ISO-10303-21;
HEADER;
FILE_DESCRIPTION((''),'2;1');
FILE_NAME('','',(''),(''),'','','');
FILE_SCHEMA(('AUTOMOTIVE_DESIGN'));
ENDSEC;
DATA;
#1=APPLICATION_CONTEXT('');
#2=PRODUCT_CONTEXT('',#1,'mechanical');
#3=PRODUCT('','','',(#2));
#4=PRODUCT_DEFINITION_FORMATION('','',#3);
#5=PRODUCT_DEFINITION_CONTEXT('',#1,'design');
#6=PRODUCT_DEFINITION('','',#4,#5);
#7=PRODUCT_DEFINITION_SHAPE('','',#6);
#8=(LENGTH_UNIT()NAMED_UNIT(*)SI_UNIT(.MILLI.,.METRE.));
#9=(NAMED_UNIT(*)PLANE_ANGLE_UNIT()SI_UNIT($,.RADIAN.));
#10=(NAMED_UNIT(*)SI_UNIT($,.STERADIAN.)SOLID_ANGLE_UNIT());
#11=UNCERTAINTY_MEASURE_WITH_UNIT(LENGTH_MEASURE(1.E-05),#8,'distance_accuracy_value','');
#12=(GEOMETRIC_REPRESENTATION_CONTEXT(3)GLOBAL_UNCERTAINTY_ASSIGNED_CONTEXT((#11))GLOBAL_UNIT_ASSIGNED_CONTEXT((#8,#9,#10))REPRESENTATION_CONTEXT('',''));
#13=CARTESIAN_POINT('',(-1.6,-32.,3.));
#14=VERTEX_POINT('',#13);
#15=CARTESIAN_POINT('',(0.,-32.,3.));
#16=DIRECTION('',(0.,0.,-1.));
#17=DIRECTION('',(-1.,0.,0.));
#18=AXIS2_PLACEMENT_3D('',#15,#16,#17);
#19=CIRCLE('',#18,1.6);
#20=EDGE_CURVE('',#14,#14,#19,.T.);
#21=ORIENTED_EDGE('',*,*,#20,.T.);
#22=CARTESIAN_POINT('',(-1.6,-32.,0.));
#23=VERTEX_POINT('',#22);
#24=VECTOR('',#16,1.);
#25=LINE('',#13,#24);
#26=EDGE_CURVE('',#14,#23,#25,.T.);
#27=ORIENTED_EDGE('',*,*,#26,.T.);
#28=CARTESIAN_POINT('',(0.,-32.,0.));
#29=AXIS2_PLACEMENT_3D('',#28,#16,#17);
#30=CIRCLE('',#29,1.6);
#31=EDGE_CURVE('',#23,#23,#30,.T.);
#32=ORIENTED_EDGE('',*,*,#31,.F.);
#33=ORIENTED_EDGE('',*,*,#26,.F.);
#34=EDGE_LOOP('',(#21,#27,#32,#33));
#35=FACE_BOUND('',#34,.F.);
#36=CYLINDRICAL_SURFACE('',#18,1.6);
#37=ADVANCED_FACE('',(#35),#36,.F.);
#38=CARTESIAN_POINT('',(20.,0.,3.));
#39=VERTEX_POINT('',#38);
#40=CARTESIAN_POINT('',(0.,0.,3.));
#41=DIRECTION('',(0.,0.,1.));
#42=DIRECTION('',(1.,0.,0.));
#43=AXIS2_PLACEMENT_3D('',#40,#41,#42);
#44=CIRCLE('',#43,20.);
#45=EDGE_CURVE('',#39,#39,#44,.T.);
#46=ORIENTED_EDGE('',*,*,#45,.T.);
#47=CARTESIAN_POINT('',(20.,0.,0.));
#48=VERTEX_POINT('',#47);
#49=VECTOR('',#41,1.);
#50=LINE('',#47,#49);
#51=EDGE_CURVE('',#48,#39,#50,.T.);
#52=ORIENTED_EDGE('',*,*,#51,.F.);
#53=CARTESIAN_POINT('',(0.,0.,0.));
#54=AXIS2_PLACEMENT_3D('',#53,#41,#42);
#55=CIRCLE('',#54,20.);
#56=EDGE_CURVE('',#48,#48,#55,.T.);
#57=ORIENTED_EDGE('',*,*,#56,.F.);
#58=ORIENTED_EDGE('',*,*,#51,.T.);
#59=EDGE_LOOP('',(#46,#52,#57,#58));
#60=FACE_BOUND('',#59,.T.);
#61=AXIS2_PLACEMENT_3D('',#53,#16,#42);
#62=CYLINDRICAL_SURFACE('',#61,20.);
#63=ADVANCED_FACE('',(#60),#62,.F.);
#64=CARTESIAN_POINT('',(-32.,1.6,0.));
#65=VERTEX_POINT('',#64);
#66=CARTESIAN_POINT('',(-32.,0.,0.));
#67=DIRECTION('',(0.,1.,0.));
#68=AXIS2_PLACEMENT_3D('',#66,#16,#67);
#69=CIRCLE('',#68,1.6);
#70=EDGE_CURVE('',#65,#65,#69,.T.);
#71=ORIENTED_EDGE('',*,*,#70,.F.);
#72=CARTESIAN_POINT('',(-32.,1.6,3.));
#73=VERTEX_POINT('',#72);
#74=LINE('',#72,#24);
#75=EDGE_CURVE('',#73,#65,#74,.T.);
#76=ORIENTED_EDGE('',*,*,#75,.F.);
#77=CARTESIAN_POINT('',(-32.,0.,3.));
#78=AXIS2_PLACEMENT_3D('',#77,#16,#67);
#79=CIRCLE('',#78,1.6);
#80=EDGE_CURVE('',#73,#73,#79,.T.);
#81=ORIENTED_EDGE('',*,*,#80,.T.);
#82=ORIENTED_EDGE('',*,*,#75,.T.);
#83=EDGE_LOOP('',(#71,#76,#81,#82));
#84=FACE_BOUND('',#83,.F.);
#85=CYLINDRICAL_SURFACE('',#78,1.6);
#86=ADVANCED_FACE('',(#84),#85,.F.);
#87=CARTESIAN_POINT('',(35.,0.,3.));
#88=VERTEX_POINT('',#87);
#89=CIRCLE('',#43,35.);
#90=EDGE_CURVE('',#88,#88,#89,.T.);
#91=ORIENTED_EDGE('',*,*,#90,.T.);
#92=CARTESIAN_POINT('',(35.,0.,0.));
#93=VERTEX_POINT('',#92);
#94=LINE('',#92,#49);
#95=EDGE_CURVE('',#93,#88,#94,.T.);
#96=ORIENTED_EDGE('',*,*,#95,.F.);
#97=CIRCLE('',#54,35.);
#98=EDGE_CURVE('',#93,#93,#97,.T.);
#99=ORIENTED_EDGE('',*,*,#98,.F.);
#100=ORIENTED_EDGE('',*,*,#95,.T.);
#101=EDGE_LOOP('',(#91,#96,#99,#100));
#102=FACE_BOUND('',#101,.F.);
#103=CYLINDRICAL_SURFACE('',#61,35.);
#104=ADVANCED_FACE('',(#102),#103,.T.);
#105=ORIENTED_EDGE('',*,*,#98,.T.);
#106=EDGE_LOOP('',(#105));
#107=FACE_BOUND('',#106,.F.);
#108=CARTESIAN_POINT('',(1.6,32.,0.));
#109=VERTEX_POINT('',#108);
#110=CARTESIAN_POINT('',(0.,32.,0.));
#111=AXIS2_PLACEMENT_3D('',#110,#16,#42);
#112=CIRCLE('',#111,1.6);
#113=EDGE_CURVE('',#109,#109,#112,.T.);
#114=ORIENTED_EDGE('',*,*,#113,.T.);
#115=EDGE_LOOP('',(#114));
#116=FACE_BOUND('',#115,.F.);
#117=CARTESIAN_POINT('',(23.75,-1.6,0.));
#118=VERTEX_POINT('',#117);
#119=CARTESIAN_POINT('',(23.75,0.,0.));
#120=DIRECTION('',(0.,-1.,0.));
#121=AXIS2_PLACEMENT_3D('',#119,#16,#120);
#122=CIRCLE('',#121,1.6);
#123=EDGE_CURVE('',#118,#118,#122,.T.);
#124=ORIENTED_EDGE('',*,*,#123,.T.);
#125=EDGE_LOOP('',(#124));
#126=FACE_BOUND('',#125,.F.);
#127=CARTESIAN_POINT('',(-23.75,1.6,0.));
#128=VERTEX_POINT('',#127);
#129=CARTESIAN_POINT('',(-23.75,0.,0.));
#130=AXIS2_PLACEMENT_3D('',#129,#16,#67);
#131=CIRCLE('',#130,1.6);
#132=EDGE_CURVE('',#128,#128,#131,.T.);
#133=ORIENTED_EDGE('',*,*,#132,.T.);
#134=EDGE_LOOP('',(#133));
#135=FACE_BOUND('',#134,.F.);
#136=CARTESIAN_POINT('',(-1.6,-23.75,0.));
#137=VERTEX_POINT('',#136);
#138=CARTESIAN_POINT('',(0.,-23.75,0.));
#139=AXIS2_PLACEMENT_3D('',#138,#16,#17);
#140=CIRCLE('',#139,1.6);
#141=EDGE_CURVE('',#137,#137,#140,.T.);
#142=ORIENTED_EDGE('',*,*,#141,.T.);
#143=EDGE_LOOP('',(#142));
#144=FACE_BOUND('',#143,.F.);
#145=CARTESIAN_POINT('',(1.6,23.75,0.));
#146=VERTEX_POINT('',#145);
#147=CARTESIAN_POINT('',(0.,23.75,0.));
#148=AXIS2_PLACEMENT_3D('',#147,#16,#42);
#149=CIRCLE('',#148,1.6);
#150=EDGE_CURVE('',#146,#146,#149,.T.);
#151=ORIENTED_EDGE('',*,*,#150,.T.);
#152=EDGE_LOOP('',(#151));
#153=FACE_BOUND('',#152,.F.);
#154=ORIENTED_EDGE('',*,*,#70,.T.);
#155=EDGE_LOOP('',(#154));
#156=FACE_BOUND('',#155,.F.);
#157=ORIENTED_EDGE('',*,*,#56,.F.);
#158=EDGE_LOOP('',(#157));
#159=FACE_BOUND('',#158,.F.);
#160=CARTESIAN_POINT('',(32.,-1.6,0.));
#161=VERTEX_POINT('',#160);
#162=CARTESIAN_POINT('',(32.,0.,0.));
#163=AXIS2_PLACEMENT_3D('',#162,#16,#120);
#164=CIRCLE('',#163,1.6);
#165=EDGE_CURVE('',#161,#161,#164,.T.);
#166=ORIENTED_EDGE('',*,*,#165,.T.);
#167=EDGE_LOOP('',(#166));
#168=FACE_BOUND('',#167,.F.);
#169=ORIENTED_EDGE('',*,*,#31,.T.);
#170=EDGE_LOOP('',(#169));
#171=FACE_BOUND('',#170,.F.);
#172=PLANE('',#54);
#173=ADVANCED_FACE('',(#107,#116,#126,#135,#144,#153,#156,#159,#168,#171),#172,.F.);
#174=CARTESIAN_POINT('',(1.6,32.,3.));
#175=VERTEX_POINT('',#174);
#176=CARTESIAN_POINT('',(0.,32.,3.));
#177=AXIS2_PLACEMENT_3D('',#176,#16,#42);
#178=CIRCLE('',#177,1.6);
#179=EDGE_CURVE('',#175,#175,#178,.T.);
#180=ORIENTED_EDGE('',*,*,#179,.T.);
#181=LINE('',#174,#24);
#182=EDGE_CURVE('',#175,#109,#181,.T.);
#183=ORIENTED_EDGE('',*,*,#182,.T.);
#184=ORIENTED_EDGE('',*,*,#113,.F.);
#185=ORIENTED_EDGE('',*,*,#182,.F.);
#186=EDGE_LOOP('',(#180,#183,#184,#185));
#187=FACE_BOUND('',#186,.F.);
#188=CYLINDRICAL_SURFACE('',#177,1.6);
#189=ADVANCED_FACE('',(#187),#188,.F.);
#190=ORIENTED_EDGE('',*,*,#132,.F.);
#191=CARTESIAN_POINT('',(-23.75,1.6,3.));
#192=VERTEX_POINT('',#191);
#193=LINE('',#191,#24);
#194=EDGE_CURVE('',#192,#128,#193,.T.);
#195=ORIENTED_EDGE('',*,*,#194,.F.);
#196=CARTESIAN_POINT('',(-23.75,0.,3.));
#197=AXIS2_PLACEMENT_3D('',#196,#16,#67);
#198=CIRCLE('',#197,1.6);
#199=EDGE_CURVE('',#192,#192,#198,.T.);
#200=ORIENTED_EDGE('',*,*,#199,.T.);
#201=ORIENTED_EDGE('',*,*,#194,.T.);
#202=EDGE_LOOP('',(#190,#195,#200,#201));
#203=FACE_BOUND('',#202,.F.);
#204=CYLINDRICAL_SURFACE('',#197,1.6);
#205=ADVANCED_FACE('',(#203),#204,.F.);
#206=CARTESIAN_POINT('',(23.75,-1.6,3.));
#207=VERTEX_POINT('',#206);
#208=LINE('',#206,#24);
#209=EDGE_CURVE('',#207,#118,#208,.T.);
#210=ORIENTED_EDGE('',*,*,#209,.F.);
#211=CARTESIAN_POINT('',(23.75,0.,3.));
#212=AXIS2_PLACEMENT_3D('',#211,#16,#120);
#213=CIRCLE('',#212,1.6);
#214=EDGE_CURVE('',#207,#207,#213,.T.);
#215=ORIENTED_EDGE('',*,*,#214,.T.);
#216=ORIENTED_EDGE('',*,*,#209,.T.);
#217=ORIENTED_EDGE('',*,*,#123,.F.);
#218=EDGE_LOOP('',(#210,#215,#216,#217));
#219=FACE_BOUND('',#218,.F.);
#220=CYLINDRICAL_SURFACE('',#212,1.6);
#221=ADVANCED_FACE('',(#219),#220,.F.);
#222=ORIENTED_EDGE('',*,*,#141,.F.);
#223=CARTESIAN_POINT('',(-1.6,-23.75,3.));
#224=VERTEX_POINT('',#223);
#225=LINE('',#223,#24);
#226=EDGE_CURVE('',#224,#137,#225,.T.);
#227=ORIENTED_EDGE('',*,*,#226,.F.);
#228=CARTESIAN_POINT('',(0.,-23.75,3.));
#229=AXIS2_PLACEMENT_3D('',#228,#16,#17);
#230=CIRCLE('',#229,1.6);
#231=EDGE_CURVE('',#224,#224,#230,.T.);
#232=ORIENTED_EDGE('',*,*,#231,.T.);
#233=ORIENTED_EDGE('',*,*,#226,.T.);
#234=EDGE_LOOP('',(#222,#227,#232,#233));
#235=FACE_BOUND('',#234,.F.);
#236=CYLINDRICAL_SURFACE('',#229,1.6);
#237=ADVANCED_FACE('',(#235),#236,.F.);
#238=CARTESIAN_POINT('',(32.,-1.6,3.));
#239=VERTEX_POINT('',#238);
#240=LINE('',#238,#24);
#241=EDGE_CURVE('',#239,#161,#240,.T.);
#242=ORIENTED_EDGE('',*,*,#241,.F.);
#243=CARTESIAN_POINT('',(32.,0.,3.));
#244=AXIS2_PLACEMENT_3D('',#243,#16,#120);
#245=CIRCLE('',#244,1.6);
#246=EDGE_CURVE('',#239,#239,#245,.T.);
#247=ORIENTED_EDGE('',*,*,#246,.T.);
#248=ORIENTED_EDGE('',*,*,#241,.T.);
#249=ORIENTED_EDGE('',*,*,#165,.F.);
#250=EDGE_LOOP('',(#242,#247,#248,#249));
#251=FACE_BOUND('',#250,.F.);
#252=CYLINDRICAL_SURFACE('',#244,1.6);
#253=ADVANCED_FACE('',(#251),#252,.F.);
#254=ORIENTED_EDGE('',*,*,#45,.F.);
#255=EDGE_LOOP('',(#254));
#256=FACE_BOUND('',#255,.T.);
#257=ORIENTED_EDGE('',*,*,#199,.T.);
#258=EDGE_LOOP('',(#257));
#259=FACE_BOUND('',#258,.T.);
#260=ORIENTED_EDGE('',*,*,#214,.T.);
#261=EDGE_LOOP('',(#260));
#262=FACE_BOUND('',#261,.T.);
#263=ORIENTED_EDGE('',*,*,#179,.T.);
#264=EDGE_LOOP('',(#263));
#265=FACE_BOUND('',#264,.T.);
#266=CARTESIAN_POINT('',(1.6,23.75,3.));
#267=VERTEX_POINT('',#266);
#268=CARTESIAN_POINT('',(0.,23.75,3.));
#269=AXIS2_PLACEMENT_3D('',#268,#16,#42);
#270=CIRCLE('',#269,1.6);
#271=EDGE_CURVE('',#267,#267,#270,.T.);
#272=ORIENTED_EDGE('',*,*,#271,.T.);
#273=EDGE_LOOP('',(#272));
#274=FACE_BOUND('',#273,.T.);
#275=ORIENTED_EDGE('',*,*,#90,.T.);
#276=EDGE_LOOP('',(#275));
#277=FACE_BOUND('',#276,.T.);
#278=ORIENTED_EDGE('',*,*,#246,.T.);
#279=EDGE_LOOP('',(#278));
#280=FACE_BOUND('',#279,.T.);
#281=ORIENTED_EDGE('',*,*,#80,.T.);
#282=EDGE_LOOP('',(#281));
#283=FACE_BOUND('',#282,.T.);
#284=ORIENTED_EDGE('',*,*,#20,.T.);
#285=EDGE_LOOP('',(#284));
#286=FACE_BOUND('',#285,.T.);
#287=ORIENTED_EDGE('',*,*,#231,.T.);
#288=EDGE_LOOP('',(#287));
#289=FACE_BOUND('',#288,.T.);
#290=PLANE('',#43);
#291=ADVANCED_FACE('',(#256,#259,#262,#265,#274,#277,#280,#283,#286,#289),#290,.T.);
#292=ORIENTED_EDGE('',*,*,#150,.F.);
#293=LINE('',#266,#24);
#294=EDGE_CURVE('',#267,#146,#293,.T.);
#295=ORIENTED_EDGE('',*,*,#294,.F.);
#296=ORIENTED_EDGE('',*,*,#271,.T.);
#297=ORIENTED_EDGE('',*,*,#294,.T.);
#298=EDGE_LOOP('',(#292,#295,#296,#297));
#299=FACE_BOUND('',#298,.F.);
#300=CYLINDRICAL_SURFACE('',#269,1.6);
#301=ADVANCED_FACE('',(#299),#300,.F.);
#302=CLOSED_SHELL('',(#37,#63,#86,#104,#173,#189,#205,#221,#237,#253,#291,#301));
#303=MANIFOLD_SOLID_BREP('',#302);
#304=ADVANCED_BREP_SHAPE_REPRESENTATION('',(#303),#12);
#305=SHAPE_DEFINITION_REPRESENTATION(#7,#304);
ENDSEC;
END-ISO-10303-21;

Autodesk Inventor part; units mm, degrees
ref_plane "YZ Plane" through (0, 0, 0) normal (1, 0, 0) x (0, 1, 0)
ref_plane "XZ Plane" through (0, 0, 0) normal (0, 1, 0) x (-1, 0, 0)
ref_plane "XY Plane" through (0, 0, 0) normal (0, 0, 1) x (1, 0, 0)
sketch "Sketch1" plane through (0, 0, 0) normal (0, 0, 1) x (1, 0, 0)
  circle A0 centre (0, 0) radius 20
  circle A1 centre (0, 0) radius 35
  dimension "d0" = 70
  dimension "d1" = 40
extrude "Extrusion1" add sketch "Sketch1" along normal blind 3
sketch "Sketch2" plane through (0, 0, 3) normal (0, 0, 1) x (1, 0, 0)
  circle A0 centre (0, 0) radius 23.75 construction
  circle A1 centre (0, 0) radius 32 construction
  point P0 (23.75, 0)
  point P1 (32, 0)
  dimension "d4" = 64
  dimension "d5" = 47.5
hole "Hole1" at (23.75, 0, 3) at (32, 0, 3) direction (0, 0, -1) diameter 3.2 end through all
pattern_circular "Circular Pattern1" count 4 over 360 about axis through (0, 0, 0) along (0, 0, 1) of "Hole1"
properties part number "plasma_chamber_holder" material "Copper"
